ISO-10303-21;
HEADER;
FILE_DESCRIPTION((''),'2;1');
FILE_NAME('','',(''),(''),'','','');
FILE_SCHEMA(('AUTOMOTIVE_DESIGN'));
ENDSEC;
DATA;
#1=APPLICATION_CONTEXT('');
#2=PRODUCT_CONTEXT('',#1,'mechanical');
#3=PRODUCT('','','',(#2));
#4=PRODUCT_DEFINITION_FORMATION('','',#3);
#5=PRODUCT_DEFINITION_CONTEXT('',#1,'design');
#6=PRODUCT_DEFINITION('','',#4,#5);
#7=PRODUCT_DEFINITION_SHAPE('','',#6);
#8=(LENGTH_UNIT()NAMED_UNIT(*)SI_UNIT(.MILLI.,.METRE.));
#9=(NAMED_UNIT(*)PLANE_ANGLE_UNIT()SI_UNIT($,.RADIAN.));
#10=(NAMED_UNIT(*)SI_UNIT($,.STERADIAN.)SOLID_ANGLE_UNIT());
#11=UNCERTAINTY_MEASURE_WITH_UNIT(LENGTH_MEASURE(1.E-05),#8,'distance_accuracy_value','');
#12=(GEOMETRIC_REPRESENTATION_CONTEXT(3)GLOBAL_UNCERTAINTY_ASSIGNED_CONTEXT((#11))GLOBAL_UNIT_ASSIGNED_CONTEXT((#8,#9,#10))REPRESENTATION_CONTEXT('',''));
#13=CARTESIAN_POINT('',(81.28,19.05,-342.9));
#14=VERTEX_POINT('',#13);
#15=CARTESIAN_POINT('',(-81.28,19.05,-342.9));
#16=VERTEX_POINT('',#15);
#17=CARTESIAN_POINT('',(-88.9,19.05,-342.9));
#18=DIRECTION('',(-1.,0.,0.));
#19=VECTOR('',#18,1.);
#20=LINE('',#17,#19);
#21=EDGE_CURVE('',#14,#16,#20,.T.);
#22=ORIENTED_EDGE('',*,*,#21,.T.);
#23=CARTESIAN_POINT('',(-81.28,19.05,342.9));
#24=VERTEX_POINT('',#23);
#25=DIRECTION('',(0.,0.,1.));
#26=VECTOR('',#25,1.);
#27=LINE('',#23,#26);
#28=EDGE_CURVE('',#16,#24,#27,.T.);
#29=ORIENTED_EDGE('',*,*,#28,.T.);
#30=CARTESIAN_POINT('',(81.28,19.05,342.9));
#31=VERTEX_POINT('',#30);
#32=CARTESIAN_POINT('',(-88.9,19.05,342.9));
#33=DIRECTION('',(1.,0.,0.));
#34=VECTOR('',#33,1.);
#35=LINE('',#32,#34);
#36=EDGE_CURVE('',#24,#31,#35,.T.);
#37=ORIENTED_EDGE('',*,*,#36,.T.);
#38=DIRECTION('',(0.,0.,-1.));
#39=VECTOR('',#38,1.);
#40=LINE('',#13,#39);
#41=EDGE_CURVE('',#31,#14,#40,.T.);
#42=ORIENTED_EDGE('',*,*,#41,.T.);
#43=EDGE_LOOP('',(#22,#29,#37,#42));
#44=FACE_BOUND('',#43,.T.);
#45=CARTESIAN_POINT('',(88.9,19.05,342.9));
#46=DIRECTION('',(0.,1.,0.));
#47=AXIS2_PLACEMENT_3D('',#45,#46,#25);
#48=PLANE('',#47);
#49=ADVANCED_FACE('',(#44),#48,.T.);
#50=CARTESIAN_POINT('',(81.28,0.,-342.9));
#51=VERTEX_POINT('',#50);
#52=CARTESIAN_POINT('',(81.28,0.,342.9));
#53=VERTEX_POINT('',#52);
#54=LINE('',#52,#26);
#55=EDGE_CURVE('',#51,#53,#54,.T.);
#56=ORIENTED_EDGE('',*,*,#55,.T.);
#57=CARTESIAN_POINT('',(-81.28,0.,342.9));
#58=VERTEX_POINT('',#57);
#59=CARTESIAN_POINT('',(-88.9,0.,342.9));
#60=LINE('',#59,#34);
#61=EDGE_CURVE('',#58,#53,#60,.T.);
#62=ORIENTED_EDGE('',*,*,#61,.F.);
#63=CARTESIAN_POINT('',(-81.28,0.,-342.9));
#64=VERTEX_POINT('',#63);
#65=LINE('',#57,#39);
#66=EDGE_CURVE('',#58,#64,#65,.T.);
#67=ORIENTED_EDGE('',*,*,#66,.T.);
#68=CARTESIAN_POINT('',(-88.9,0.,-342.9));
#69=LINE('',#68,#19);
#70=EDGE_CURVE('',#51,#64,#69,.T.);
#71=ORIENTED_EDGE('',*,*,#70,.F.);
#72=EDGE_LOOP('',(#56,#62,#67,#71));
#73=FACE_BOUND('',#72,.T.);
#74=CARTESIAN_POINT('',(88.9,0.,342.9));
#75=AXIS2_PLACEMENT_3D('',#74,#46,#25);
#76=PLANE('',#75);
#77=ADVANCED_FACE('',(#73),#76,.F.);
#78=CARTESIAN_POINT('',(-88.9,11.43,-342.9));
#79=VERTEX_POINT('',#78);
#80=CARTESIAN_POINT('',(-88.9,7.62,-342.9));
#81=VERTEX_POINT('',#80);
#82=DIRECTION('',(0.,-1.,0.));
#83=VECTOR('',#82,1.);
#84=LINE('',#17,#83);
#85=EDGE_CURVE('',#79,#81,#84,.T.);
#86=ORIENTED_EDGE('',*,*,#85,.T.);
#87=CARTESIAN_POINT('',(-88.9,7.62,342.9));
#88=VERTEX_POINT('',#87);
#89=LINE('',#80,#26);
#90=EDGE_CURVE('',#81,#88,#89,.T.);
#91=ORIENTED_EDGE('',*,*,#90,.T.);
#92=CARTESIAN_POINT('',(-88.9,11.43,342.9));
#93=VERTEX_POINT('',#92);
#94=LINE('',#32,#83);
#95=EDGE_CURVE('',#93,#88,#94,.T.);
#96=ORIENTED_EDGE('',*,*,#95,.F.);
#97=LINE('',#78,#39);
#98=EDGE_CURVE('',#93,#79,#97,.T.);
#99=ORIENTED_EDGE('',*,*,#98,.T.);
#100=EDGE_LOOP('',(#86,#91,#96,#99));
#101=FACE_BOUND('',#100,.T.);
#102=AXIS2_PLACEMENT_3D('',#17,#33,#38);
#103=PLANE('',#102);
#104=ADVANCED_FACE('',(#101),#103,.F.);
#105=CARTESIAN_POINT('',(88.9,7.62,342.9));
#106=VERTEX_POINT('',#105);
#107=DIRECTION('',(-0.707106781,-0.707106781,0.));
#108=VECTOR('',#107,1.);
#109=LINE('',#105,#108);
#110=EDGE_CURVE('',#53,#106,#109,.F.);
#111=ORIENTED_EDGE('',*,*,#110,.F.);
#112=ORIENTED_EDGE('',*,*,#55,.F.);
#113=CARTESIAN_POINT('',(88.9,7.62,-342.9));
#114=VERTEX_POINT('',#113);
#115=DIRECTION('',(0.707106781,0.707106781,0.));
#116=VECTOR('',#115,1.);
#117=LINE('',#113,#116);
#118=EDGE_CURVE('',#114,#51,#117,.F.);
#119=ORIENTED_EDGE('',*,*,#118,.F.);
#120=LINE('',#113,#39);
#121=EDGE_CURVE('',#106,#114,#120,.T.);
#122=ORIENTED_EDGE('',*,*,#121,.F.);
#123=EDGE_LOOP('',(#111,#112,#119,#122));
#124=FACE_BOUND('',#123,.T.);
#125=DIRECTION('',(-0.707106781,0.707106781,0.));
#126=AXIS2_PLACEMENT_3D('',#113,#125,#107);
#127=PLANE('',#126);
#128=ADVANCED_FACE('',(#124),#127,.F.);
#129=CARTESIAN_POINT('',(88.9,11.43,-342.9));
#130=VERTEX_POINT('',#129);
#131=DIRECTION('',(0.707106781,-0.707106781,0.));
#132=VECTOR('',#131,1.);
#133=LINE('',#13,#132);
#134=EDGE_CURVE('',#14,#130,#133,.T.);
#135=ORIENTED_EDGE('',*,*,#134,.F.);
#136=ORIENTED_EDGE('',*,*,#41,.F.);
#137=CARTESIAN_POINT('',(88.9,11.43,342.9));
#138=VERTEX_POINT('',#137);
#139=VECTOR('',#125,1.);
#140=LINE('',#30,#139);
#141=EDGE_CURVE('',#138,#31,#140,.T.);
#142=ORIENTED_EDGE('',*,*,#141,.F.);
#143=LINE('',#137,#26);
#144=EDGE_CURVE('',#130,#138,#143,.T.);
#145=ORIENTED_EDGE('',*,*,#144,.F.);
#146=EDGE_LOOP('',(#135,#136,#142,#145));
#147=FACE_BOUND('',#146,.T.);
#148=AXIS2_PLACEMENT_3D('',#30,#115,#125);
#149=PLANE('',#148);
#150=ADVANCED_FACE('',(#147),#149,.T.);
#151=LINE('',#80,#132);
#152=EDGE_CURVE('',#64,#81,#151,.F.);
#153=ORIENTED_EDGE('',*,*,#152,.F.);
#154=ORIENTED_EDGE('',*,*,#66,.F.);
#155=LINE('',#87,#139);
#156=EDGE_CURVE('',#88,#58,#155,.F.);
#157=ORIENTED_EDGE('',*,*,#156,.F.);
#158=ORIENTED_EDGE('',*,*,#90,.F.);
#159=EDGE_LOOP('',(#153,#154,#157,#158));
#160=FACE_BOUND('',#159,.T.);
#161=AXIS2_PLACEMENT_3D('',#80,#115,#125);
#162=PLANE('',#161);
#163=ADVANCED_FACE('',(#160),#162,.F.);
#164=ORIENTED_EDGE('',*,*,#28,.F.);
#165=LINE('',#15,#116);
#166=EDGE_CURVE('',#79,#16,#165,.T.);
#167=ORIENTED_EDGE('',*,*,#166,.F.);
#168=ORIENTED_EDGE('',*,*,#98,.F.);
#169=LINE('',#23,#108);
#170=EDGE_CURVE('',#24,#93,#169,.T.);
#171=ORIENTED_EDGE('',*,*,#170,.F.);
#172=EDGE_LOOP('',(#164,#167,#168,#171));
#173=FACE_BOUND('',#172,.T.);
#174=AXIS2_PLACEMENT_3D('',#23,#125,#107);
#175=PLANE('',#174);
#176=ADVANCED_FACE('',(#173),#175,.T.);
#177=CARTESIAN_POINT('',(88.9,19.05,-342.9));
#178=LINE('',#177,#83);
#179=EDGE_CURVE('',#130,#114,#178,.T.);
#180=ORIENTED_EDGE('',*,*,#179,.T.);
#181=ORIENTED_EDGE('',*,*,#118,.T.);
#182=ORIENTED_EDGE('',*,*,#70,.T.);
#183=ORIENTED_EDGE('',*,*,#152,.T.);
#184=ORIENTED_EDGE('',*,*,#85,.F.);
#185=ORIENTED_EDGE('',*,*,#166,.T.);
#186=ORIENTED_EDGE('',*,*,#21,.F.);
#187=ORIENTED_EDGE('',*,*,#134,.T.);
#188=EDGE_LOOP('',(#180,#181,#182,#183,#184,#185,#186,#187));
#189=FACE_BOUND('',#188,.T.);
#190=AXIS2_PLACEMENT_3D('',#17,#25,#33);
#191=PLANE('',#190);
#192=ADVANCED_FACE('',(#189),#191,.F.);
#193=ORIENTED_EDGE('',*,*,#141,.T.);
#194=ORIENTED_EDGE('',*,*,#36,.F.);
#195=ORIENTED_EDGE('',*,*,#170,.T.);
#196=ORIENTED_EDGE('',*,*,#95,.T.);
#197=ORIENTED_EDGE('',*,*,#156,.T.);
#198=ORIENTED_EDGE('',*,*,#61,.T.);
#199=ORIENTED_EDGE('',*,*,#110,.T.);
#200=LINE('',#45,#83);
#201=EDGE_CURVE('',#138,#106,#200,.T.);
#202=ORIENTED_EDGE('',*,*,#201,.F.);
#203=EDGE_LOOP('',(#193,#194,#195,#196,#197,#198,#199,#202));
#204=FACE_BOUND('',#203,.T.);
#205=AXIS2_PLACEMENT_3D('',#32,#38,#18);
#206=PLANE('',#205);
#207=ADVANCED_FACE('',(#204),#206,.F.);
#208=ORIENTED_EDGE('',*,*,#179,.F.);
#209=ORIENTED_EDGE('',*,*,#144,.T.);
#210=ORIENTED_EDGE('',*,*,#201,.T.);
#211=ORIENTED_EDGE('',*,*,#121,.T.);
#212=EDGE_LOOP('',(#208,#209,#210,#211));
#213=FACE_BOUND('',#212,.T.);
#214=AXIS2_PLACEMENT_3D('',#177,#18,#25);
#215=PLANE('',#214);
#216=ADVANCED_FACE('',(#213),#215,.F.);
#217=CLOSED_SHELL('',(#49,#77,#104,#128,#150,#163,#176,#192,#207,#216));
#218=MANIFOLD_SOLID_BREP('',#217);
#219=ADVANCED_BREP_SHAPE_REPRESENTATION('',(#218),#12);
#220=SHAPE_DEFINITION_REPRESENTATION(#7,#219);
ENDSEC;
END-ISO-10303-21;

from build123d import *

# Parameters (mm, degrees)
SKETCH1_W           = 177.8
SKETCH1_H           = 685.8
BOSS_EXTRUDE1_DEPTH = 19.05
CHAMFER1_SIZE       = 7.62


with BuildPart() as part:
    # Sketch1 → Boss-Extrude1 (new body)
    with BuildSketch(Plane(origin=(0, 0, 0), x_dir=(1, 0, 0), z_dir=(0, 1, 0))):
        Rectangle(SKETCH1_W, SKETCH1_H)
    extrude(amount=BOSS_EXTRUDE1_DEPTH)

    # Chamfer1
    chamfer1_edges = [part.edges().sort_by_distance(p)[0] for p in [
        (-88.9, 19.05, 0),
        (88.9, 19.05, 0),
        (-88.9, 0, 0),
        (88.9, 0, 0),
    ]]
    chamfer(chamfer1_edges, length=CHAMFER1_SIZE)


solid = part.part
